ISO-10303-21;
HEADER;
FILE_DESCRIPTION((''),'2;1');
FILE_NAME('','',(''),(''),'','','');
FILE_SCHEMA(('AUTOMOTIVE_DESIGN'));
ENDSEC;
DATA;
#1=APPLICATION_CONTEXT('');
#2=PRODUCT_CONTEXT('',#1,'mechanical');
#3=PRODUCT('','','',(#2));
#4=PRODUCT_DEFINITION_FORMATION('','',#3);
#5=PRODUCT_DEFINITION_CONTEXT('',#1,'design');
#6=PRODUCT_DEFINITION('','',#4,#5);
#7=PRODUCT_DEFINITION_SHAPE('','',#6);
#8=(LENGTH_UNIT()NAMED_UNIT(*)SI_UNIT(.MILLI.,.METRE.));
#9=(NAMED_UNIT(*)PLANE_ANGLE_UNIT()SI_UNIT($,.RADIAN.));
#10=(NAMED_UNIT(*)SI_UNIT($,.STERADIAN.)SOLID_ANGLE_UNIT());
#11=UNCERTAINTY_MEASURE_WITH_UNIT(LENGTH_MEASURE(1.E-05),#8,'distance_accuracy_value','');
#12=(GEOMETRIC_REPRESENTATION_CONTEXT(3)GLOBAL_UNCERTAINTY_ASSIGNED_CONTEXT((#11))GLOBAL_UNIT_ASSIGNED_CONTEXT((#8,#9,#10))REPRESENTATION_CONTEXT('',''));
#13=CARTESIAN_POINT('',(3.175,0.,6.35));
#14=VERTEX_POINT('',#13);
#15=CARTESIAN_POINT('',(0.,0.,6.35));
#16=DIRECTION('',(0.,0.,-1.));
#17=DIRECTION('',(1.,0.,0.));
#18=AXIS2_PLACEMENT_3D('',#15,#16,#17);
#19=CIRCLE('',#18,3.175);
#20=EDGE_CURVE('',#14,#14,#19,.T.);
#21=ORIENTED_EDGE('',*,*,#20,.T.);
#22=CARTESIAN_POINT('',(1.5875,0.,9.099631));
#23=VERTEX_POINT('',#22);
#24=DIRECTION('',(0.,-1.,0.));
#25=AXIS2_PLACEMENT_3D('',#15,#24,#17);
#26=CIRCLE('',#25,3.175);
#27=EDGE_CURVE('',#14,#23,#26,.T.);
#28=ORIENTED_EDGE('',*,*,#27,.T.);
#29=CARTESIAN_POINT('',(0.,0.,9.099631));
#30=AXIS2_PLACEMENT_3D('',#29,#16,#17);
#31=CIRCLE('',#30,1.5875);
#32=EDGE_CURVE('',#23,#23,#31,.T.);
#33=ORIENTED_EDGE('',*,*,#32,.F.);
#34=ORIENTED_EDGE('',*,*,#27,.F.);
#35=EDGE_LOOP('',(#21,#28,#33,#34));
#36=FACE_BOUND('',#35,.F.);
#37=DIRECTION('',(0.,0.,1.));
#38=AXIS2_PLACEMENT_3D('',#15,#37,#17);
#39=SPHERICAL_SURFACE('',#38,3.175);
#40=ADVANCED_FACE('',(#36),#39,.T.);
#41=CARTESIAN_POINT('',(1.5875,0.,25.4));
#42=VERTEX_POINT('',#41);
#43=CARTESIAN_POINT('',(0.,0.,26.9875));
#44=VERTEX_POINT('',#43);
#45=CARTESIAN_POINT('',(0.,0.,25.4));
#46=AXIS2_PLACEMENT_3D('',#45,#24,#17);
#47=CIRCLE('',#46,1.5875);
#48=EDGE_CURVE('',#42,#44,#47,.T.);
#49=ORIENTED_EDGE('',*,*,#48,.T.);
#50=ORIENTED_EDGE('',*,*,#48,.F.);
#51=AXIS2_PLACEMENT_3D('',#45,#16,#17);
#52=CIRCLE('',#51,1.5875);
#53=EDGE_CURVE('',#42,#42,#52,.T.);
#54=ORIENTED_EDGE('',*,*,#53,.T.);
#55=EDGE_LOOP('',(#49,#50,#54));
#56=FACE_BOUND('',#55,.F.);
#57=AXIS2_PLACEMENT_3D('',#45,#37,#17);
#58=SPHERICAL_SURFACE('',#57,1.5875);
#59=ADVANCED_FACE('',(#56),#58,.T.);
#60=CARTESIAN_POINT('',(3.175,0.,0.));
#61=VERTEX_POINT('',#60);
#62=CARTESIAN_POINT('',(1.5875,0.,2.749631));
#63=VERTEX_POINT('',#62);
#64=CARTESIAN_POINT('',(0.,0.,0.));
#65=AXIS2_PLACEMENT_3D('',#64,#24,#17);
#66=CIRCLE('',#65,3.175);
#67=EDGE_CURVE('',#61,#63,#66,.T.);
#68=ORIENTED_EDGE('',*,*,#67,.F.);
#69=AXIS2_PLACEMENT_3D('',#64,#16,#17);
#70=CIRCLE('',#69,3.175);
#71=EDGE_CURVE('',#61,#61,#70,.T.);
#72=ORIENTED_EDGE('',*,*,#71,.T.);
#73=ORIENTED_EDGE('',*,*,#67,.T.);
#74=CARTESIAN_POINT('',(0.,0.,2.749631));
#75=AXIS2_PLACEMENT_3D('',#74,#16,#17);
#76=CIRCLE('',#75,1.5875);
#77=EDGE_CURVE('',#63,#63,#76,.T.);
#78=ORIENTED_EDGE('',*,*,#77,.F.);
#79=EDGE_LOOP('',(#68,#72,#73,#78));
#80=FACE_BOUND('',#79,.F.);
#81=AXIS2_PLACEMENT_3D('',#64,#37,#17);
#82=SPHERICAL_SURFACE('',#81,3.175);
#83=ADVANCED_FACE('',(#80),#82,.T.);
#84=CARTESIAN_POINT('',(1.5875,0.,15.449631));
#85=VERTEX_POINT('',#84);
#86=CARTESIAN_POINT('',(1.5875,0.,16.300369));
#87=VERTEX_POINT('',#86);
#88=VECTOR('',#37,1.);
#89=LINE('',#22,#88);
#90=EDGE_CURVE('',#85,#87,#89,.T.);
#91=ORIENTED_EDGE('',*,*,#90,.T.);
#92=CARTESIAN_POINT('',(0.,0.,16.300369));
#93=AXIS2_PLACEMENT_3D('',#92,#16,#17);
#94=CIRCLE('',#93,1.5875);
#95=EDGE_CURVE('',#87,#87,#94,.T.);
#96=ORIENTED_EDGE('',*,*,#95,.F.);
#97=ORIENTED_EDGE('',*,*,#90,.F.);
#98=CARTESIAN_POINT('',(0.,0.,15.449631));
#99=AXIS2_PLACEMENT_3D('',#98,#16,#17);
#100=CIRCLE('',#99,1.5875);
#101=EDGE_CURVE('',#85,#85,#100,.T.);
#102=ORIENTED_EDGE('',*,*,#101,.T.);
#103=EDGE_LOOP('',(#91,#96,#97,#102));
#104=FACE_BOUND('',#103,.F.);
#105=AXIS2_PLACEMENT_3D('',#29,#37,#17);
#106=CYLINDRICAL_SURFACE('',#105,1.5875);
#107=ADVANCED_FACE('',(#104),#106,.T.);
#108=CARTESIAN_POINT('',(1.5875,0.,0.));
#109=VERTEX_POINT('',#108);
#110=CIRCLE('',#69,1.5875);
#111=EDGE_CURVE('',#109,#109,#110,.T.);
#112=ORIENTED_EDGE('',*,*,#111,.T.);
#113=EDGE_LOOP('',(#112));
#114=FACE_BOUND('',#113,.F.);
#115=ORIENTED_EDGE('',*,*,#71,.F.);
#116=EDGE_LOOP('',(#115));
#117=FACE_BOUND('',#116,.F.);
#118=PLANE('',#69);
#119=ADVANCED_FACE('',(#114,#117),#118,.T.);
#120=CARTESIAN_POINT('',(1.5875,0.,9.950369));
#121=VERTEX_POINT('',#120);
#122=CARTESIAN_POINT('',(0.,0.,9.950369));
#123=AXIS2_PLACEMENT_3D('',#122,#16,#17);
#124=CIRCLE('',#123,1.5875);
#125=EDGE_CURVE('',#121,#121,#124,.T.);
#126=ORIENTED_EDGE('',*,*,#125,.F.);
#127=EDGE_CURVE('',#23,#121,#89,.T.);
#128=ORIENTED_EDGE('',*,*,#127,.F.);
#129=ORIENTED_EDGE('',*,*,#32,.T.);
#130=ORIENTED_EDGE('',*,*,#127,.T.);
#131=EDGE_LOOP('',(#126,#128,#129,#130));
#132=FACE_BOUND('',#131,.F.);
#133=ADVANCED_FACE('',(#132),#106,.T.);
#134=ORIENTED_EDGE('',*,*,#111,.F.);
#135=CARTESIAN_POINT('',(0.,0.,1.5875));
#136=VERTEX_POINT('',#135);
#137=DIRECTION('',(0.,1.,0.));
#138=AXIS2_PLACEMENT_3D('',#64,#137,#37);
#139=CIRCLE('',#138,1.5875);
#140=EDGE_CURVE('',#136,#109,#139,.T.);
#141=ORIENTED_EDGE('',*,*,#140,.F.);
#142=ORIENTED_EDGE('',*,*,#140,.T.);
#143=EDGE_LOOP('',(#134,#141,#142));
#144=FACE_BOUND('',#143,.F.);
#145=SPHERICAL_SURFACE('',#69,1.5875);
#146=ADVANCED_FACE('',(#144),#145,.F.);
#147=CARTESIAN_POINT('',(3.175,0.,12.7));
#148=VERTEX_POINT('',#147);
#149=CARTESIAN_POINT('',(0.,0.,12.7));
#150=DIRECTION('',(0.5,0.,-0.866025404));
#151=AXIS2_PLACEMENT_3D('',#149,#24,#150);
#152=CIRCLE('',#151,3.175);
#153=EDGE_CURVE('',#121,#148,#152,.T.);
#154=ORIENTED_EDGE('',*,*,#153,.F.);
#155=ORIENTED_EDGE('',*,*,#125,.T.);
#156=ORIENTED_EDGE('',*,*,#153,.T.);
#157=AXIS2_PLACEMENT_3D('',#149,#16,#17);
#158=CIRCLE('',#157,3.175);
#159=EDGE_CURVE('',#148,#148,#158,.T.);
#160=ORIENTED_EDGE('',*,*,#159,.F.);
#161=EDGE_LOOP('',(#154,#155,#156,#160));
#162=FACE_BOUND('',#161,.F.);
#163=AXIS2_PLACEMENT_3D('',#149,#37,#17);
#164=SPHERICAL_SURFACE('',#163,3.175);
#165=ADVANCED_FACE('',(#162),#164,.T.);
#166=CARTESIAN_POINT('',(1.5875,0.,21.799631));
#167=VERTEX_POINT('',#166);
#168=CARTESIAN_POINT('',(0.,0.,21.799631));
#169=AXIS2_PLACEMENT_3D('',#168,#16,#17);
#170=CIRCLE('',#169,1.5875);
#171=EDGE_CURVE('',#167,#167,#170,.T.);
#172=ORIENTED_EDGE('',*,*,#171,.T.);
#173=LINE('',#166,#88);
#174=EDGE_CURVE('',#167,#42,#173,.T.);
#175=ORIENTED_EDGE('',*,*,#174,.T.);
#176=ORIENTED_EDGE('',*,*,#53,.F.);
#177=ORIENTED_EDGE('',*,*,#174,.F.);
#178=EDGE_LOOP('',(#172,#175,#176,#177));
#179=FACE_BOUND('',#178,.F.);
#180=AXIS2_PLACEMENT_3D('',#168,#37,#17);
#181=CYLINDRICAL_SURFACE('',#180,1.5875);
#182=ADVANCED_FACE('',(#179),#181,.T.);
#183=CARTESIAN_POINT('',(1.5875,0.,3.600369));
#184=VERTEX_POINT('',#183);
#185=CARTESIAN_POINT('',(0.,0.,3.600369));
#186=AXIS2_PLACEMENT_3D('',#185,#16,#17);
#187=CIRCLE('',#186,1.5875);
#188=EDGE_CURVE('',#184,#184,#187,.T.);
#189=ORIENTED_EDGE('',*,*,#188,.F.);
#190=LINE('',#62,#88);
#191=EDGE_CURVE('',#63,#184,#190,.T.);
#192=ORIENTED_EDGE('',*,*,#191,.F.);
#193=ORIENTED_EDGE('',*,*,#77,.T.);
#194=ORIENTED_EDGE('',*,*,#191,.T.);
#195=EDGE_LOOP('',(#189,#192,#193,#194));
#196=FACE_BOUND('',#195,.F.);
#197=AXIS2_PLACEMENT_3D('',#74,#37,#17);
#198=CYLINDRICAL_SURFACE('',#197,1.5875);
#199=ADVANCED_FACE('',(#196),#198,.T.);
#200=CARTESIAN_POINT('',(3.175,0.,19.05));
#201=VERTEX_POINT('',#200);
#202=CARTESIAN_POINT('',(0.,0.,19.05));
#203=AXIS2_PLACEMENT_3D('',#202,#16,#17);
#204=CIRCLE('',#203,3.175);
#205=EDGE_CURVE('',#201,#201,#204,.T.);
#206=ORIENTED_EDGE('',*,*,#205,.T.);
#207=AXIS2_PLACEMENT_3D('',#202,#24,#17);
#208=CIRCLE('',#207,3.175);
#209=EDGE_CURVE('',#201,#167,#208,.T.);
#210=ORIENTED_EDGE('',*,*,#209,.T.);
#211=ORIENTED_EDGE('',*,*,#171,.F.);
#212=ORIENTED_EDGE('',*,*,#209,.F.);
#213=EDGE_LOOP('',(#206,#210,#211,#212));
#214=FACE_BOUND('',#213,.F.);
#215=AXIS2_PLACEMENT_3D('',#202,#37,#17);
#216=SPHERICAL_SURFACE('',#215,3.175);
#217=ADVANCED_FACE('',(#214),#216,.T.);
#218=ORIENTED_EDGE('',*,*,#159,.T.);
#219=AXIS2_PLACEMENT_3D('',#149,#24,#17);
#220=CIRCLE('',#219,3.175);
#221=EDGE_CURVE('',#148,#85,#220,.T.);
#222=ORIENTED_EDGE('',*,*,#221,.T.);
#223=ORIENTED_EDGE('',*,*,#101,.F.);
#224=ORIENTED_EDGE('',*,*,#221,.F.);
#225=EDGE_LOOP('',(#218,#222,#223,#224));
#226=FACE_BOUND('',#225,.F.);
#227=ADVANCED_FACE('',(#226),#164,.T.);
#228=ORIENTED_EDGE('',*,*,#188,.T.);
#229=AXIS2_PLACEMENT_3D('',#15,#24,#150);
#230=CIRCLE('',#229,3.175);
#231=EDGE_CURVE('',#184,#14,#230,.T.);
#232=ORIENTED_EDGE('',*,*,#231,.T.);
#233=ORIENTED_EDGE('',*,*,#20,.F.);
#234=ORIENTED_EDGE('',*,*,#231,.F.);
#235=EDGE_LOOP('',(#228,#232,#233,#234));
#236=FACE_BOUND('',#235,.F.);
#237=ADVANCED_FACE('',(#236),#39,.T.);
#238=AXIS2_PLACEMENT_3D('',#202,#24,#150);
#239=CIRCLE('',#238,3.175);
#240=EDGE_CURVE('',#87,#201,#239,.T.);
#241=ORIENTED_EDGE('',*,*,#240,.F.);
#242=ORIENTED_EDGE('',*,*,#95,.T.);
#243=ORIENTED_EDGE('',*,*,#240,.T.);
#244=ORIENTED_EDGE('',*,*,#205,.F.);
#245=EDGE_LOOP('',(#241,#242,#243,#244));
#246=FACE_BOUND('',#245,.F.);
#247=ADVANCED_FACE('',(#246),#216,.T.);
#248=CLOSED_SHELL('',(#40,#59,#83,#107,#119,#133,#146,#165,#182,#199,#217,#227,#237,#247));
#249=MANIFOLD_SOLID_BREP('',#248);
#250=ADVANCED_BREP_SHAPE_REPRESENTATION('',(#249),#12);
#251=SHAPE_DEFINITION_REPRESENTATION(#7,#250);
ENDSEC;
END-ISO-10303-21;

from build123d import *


with BuildPart() as f1:
    # F0 (on Front) → F1 (revolve)
    with BuildSketch(Plane.XZ):
        with BuildLine():
            Line((1.5875, 0), (3.175, 0))
            ThreePointArc((3.175, 0), (2.749630657, 1.5875), (1.5875, 2.749630657))
            Line((1.5875, 2.749630657), (1.5875, 0))
        make_face()
        with BuildLine():
            Line((1.5875, 0), (1.5875, 2.749630657))
            ThreePointArc((1.5875, 2.749630657), (0.8217504682, 3.0668144985), (0, 3.175))
            Line((0, 3.175), (0, 1.5875))
            ThreePointArc((0, 1.5875), (1.1225320151, 1.1225320151), (1.5875, 0))
        make_face()
        with BuildLine():
            ThreePointArc((0, 3.175), (0.8217504682, 3.0668144985), (1.5875, 2.749630657))
            Line((1.5875, 2.749630657), (1.5875, 3.600369343))
            ThreePointArc((1.5875, 3.600369343), (0.8217504682, 3.2831855015), (0, 3.175))
        make_face()
        with BuildLine():
            Line((0, 9.525), (0, 3.175))
            ThreePointArc((0, 3.175), (0.8217504682, 3.2831855015), (1.5875, 3.600369343))
            Line((1.5875, 3.600369343), (1.5875, 9.099630657))
            ThreePointArc((1.5875, 9.099630657), (0.8217504682, 9.4168144985), (0, 9.525))
        make_face()
        with BuildLine():
            Line((1.5875, 9.099630657), (1.5875, 3.600369343))
            ThreePointArc((1.5875, 3.600369343), (2.749630657, 4.7625), (3.175, 6.35))
            ThreePointArc((3.175, 6.35), (2.749630657, 7.9375), (1.5875, 9.099630657))
        make_face()
        with BuildLine():
            ThreePointArc((1.5875, 9.950369343), (0.8217504682, 9.6331855015), (0, 9.525))
            ThreePointArc((0, 9.525), (0.8217504682, 9.4168144985), (1.5875, 9.099630657))
            Line((1.5875, 9.099630657), (1.5875, 9.950369343))
        make_face()
        with BuildLine():
            Line((0, 15.875), (0, 9.525))
            ThreePointArc((0, 9.525), (0.8217504682, 9.6331855015), (1.5875, 9.950369343))
            Line((1.5875, 9.950369343), (1.5875, 15.449630657))
            ThreePointArc((1.5875, 15.449630657), (0.8217504682, 15.7668144985), (0, 15.875))
        make_face()
        with BuildLine():
            ThreePointArc((1.5875, 16.300369343), (0.8217504682, 15.9831855015), (0, 15.875))
            ThreePointArc((0, 15.875), (0.8217504682, 15.7668144985), (1.5875, 15.449630657))
            Line((1.5875, 15.449630657), (1.5875, 16.300369343))
        make_face()
        with BuildLine():
            Line((0, 22.225), (0, 15.875))
            ThreePointArc((0, 15.875), (0.8217504682, 15.9831855015), (1.5875, 16.300369343))
            Line((1.5875, 16.300369343), (1.5875, 21.799630657))
            ThreePointArc((1.5875, 21.799630657), (0.8217504682, 22.1168144985), (0, 22.225))
        make_face()
        with BuildLine():
            Line((1.5875, 21.799630657), (1.5875, 16.300369343))
            ThreePointArc((1.5875, 16.300369343), (2.749630657, 17.4625), (3.175, 19.05))
            ThreePointArc((3.175, 19.05), (2.749630657, 20.6375), (1.5875, 21.799630657))
        make_face()
        with BuildLine():
            Line((0, 23.8125), (0, 22.225))
            ThreePointArc((0, 22.225), (0.8217504682, 22.1168144985), (1.5875, 21.799630657))
            Line((1.5875, 21.799630657), (1.5875, 25.4))
            ThreePointArc((1.5875, 25.4), (1.1225320151, 24.2774679849), (0, 23.8125))
        make_face()
        with BuildLine():
            Line((0, 25.4), (0, 23.8125))
            ThreePointArc((0, 23.8125), (1.1225320151, 24.2774679849), (1.5875, 25.4))
            Line((1.5875, 25.4), (0, 25.4))
        make_face()
        with BuildLine():
            Line((0, 25.4), (1.5875, 25.4))
            ThreePointArc((1.5875, 25.4), (1.1225320151, 26.5225320151), (0, 26.9875))
            Line((0, 26.9875), (0, 25.4))
        make_face()
        with BuildLine():
            Line((1.5875, 15.449630657), (1.5875, 9.950369343))
            ThreePointArc((1.5875, 9.950369343), (2.749630657, 11.1125), (3.175, 12.7))
            ThreePointArc((3.175, 12.7), (2.749630657, 14.2875), (1.5875, 15.449630657))
        make_face()
    revolve(axis=Axis((0, 0, 12.7), (0, 0, -1)))


solid = f1.part
